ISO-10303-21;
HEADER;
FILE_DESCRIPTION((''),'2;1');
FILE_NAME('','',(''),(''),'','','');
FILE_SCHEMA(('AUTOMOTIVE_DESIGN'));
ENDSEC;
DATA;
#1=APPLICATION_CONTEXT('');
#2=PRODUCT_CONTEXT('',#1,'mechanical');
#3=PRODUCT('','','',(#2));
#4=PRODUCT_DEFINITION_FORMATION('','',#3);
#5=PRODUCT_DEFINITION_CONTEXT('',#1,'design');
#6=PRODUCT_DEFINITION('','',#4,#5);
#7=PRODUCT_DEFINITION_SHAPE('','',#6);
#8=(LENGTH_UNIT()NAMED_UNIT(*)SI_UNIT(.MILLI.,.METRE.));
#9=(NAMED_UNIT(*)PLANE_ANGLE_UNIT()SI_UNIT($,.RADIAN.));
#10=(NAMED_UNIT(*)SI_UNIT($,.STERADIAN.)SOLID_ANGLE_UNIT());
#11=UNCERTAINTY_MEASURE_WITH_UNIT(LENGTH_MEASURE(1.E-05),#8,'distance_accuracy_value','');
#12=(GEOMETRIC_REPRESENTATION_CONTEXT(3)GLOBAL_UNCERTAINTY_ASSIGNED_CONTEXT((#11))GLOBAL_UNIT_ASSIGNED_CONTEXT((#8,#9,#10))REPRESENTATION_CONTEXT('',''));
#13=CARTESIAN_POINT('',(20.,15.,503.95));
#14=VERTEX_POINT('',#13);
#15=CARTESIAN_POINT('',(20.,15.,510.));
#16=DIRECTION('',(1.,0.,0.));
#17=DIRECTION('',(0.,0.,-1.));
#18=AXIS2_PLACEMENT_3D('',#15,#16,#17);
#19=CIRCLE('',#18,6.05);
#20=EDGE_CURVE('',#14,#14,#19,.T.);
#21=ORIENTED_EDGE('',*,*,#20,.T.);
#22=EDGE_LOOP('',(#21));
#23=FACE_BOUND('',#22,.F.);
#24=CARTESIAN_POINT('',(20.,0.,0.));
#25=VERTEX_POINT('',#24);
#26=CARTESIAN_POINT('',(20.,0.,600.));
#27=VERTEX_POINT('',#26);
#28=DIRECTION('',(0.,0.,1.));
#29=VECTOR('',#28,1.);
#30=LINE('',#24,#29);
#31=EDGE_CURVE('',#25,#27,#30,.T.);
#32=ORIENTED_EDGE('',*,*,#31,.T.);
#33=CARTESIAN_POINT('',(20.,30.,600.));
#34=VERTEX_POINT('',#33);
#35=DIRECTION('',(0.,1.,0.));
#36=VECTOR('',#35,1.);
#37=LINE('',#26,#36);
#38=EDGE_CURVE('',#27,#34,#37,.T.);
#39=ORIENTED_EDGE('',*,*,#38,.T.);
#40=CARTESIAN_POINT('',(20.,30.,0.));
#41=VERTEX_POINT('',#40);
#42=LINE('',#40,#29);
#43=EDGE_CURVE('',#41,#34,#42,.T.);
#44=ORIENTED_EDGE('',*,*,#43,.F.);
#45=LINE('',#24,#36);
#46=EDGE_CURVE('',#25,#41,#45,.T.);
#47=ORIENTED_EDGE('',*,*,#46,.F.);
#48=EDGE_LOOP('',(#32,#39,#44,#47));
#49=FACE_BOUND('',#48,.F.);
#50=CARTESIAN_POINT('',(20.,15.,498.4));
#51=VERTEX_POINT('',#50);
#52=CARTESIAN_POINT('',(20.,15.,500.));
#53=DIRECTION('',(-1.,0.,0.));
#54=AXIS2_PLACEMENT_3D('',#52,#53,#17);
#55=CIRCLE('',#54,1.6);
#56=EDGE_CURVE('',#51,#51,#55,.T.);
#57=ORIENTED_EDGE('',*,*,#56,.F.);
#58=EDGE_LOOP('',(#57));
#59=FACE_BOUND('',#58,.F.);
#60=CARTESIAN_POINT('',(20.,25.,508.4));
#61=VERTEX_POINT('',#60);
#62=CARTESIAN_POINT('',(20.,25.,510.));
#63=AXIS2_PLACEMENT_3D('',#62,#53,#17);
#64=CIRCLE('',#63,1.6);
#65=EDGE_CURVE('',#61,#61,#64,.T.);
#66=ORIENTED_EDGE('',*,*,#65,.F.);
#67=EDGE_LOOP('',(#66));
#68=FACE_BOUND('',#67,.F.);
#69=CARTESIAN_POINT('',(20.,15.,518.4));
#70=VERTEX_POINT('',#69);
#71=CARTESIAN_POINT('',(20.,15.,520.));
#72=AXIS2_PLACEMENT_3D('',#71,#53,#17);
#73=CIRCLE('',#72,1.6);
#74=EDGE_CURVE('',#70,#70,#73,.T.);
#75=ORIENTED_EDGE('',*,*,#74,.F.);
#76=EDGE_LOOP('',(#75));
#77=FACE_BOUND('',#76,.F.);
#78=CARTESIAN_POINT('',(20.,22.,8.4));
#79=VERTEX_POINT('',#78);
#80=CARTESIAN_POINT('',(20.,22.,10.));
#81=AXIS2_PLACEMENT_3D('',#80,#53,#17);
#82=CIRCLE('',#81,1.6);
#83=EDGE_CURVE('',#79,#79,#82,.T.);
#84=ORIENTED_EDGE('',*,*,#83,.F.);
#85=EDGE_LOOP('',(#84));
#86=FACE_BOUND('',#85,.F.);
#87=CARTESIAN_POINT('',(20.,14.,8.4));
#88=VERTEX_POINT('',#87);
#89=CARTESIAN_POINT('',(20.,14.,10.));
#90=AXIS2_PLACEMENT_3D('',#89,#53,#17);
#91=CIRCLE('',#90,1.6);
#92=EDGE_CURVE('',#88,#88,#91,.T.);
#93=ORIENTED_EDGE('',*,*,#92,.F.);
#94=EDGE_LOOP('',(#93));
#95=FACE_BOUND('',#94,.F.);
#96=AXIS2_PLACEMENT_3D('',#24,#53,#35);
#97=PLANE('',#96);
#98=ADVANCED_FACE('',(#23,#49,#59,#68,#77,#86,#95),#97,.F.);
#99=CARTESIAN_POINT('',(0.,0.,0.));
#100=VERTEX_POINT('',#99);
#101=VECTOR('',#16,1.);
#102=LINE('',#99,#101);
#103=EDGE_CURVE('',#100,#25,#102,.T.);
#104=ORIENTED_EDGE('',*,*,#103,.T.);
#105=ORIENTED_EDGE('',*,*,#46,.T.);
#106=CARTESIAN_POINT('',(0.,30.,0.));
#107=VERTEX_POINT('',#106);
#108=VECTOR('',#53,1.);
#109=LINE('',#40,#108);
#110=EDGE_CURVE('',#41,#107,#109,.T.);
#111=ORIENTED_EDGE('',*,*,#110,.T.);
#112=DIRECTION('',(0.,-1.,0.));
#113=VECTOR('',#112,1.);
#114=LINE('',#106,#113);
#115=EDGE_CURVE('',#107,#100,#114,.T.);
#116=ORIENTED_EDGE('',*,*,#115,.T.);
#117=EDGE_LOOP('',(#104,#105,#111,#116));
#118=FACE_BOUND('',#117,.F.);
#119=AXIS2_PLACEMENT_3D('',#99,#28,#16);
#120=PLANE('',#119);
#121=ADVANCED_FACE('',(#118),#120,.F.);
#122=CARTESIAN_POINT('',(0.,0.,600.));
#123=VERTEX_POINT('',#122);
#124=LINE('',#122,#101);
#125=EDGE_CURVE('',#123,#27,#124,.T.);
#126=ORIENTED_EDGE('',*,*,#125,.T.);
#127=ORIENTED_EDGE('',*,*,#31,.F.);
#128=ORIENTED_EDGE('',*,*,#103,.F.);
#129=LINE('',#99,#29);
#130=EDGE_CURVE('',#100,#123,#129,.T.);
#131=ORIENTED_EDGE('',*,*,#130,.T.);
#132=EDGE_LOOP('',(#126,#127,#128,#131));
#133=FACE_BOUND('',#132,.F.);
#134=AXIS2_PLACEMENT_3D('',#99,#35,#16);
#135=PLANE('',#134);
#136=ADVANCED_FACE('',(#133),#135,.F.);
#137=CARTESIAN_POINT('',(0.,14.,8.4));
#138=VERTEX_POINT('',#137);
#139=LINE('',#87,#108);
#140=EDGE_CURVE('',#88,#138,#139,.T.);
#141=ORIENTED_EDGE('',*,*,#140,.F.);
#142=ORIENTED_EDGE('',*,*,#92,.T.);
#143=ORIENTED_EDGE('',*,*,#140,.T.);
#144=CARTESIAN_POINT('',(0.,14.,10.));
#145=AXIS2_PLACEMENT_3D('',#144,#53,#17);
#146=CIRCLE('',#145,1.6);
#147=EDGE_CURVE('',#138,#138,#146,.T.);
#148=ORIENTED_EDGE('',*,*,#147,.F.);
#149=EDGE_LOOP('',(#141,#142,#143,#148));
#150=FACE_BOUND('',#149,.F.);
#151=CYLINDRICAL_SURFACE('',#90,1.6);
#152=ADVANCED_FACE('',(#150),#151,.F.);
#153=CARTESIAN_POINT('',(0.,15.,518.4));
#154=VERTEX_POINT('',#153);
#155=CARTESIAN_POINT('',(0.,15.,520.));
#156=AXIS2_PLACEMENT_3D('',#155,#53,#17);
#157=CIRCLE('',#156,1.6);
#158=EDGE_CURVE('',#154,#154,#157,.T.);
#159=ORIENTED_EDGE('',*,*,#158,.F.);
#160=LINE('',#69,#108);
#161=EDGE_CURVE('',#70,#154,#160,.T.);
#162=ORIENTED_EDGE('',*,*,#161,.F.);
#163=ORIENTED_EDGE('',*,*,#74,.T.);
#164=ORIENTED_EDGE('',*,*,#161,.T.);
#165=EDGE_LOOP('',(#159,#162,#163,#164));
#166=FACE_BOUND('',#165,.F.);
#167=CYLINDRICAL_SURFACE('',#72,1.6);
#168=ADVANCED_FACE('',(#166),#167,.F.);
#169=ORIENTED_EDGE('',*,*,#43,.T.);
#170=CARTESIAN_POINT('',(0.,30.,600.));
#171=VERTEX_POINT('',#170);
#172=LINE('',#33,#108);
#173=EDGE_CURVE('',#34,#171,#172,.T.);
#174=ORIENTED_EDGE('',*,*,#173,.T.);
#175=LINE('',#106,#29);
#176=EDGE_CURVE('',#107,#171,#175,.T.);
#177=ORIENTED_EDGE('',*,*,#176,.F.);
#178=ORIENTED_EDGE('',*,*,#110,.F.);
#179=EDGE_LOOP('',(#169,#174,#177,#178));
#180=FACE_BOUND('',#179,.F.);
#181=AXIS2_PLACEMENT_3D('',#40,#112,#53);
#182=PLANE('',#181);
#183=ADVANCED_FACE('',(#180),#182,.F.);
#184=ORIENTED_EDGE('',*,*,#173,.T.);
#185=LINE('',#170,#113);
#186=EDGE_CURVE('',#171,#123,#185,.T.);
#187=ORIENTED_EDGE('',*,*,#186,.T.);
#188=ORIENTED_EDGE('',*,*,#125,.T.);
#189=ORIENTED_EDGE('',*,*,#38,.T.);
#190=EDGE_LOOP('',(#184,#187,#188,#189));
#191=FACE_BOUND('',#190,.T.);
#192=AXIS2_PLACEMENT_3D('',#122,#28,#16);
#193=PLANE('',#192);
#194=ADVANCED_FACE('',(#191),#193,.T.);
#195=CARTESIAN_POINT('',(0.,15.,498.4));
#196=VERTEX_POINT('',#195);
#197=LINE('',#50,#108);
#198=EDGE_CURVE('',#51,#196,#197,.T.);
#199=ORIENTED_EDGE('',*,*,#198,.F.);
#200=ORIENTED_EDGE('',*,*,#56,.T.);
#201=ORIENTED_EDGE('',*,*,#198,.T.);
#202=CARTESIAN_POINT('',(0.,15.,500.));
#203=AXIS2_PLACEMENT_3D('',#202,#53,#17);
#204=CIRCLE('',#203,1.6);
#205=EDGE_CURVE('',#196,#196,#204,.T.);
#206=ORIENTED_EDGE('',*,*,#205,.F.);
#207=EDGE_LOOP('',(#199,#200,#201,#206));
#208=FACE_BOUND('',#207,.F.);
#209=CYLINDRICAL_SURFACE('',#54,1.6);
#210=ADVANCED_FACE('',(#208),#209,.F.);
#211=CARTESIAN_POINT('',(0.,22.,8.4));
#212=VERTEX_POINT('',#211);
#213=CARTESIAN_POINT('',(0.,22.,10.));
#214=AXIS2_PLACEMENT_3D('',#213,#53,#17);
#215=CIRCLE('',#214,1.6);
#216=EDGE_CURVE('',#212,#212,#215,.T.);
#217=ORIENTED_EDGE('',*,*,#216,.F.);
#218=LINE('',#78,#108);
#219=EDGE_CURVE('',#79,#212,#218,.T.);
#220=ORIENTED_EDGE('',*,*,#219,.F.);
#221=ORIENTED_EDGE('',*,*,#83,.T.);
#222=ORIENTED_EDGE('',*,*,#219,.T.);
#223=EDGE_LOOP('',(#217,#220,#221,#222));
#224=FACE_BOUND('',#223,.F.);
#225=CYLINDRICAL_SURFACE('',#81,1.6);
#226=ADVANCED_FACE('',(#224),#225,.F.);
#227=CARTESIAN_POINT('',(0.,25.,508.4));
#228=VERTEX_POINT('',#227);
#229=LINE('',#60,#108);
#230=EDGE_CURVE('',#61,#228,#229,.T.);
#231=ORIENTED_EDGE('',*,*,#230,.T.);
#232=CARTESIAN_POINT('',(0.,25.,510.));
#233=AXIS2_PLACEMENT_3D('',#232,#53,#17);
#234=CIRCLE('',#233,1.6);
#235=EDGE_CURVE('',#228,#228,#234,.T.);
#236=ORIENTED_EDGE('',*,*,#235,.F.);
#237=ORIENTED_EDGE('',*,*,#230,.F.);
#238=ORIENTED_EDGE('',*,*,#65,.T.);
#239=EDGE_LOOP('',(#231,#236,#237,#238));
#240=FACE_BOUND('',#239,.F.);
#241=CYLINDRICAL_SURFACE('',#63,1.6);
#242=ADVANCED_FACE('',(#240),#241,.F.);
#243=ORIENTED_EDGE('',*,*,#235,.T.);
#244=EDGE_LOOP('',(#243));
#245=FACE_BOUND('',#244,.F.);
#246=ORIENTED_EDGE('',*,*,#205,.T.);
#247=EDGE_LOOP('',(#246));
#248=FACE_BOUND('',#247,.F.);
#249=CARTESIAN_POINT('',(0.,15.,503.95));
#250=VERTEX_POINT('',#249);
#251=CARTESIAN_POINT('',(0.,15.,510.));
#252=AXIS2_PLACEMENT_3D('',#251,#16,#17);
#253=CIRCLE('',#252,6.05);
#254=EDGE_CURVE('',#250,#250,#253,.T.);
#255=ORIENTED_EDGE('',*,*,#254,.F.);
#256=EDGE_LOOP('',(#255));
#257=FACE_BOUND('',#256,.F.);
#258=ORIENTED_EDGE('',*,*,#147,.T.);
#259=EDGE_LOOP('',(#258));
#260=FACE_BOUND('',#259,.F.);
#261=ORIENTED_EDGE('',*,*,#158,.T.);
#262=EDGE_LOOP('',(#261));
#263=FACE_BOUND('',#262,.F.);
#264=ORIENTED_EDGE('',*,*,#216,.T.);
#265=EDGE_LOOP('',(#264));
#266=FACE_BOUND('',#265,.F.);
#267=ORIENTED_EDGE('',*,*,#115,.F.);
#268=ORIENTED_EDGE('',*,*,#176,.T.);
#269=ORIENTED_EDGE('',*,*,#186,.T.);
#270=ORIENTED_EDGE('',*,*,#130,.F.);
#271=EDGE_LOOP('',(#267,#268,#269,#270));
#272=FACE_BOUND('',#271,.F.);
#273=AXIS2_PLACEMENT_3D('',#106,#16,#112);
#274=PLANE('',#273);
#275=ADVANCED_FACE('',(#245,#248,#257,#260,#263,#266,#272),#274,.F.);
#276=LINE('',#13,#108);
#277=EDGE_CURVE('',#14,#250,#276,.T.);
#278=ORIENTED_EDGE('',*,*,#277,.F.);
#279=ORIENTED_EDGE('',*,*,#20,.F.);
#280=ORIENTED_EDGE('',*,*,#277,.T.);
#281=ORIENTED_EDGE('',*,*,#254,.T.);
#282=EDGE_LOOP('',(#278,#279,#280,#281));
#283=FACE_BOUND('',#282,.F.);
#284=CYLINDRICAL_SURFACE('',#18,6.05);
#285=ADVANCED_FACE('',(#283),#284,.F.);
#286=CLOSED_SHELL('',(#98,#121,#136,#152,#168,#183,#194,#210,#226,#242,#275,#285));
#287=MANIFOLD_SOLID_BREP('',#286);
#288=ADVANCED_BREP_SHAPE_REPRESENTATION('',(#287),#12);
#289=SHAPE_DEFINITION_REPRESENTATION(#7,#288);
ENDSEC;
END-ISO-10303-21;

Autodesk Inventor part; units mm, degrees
ref_plane "YZ Plane" through (0, 0, 0) normal (1, 0, 0) x (0, 1, 0)
ref_plane "XZ Plane" through (0, 0, 0) normal (0, 1, 0) x (-1, 0, 0)
ref_plane "XY Plane" through (0, 0, 0) normal (0, 0, 1) x (1, 0, 0)
sketch "スケッチ1" plane through (0, 0, 0) normal (0, 0, 1) x (1, 0, 0)
  line L0 (0, 0) -> (20, 0)
  line L1 (20, 0) -> (20, 30)
  line L2 (20, 30) -> (0, 30)
  line L3 (0, 30) -> (0, 0)
  dimension "d0" = 20
  dimension "d1" = 30
extrude "押し出し1" add sketch "スケッチ1" along normal blind 600
sketch "スケッチ2" plane through (20, 0, 0) normal (1, 0, 0) x (0, 0, -1)
  circle A0 centre (-510, 15) radius 6.05
  line L0 (0, 30) -> (-600, 30) projected
  line L1 (-600, 0) -> (-600, 30) projected
  point P0 (0, 0)
  dimension "d4" = 12.1
  dimension "d5" = 15
  dimension "d6" = 90
extrude "押し出し2" cut sketch "スケッチ2" against normal blind 600
sketch "スケッチ3" plane through (20, 0, 0) normal (1, 0, 0) x (0, 0, -1)
  line L0 (0, 30) -> (-600, 30) projected
  line L1 (0, 0) -> (0, 30) projected
  point P0 (-10, 22)
  point P1 (-10, 14)
  dimension "d9" = 8
  dimension "d10" = 10
  dimension "d11" = 8
  dimension "d12" = 10
hole "穴1" at (20, 22, 10) at (20, 14, 10) direction (-1, 0, 0) diameter 3.2 end through all
sketch "スケッチ5" plane through (20, 0, 0) normal (1, 0, 0) x (0, 0, -1)
  circle A0 centre (-510, 15) radius 6.05 projected
  circle A1 centre (-510, 15) radius 10 construction
  point P0 (0, 0)
  point P1 (-520, 15)
  point P2 (-500, 15)
  point P3 (-510, 25)
  dimension "d30" = 20
hole "穴3" at (20, 15, 520) at (20, 15, 500) at (20, 25, 510) direction (-1, 0, 0) diameter 3.2 end through all
properties part number "射出_腕_真2"
